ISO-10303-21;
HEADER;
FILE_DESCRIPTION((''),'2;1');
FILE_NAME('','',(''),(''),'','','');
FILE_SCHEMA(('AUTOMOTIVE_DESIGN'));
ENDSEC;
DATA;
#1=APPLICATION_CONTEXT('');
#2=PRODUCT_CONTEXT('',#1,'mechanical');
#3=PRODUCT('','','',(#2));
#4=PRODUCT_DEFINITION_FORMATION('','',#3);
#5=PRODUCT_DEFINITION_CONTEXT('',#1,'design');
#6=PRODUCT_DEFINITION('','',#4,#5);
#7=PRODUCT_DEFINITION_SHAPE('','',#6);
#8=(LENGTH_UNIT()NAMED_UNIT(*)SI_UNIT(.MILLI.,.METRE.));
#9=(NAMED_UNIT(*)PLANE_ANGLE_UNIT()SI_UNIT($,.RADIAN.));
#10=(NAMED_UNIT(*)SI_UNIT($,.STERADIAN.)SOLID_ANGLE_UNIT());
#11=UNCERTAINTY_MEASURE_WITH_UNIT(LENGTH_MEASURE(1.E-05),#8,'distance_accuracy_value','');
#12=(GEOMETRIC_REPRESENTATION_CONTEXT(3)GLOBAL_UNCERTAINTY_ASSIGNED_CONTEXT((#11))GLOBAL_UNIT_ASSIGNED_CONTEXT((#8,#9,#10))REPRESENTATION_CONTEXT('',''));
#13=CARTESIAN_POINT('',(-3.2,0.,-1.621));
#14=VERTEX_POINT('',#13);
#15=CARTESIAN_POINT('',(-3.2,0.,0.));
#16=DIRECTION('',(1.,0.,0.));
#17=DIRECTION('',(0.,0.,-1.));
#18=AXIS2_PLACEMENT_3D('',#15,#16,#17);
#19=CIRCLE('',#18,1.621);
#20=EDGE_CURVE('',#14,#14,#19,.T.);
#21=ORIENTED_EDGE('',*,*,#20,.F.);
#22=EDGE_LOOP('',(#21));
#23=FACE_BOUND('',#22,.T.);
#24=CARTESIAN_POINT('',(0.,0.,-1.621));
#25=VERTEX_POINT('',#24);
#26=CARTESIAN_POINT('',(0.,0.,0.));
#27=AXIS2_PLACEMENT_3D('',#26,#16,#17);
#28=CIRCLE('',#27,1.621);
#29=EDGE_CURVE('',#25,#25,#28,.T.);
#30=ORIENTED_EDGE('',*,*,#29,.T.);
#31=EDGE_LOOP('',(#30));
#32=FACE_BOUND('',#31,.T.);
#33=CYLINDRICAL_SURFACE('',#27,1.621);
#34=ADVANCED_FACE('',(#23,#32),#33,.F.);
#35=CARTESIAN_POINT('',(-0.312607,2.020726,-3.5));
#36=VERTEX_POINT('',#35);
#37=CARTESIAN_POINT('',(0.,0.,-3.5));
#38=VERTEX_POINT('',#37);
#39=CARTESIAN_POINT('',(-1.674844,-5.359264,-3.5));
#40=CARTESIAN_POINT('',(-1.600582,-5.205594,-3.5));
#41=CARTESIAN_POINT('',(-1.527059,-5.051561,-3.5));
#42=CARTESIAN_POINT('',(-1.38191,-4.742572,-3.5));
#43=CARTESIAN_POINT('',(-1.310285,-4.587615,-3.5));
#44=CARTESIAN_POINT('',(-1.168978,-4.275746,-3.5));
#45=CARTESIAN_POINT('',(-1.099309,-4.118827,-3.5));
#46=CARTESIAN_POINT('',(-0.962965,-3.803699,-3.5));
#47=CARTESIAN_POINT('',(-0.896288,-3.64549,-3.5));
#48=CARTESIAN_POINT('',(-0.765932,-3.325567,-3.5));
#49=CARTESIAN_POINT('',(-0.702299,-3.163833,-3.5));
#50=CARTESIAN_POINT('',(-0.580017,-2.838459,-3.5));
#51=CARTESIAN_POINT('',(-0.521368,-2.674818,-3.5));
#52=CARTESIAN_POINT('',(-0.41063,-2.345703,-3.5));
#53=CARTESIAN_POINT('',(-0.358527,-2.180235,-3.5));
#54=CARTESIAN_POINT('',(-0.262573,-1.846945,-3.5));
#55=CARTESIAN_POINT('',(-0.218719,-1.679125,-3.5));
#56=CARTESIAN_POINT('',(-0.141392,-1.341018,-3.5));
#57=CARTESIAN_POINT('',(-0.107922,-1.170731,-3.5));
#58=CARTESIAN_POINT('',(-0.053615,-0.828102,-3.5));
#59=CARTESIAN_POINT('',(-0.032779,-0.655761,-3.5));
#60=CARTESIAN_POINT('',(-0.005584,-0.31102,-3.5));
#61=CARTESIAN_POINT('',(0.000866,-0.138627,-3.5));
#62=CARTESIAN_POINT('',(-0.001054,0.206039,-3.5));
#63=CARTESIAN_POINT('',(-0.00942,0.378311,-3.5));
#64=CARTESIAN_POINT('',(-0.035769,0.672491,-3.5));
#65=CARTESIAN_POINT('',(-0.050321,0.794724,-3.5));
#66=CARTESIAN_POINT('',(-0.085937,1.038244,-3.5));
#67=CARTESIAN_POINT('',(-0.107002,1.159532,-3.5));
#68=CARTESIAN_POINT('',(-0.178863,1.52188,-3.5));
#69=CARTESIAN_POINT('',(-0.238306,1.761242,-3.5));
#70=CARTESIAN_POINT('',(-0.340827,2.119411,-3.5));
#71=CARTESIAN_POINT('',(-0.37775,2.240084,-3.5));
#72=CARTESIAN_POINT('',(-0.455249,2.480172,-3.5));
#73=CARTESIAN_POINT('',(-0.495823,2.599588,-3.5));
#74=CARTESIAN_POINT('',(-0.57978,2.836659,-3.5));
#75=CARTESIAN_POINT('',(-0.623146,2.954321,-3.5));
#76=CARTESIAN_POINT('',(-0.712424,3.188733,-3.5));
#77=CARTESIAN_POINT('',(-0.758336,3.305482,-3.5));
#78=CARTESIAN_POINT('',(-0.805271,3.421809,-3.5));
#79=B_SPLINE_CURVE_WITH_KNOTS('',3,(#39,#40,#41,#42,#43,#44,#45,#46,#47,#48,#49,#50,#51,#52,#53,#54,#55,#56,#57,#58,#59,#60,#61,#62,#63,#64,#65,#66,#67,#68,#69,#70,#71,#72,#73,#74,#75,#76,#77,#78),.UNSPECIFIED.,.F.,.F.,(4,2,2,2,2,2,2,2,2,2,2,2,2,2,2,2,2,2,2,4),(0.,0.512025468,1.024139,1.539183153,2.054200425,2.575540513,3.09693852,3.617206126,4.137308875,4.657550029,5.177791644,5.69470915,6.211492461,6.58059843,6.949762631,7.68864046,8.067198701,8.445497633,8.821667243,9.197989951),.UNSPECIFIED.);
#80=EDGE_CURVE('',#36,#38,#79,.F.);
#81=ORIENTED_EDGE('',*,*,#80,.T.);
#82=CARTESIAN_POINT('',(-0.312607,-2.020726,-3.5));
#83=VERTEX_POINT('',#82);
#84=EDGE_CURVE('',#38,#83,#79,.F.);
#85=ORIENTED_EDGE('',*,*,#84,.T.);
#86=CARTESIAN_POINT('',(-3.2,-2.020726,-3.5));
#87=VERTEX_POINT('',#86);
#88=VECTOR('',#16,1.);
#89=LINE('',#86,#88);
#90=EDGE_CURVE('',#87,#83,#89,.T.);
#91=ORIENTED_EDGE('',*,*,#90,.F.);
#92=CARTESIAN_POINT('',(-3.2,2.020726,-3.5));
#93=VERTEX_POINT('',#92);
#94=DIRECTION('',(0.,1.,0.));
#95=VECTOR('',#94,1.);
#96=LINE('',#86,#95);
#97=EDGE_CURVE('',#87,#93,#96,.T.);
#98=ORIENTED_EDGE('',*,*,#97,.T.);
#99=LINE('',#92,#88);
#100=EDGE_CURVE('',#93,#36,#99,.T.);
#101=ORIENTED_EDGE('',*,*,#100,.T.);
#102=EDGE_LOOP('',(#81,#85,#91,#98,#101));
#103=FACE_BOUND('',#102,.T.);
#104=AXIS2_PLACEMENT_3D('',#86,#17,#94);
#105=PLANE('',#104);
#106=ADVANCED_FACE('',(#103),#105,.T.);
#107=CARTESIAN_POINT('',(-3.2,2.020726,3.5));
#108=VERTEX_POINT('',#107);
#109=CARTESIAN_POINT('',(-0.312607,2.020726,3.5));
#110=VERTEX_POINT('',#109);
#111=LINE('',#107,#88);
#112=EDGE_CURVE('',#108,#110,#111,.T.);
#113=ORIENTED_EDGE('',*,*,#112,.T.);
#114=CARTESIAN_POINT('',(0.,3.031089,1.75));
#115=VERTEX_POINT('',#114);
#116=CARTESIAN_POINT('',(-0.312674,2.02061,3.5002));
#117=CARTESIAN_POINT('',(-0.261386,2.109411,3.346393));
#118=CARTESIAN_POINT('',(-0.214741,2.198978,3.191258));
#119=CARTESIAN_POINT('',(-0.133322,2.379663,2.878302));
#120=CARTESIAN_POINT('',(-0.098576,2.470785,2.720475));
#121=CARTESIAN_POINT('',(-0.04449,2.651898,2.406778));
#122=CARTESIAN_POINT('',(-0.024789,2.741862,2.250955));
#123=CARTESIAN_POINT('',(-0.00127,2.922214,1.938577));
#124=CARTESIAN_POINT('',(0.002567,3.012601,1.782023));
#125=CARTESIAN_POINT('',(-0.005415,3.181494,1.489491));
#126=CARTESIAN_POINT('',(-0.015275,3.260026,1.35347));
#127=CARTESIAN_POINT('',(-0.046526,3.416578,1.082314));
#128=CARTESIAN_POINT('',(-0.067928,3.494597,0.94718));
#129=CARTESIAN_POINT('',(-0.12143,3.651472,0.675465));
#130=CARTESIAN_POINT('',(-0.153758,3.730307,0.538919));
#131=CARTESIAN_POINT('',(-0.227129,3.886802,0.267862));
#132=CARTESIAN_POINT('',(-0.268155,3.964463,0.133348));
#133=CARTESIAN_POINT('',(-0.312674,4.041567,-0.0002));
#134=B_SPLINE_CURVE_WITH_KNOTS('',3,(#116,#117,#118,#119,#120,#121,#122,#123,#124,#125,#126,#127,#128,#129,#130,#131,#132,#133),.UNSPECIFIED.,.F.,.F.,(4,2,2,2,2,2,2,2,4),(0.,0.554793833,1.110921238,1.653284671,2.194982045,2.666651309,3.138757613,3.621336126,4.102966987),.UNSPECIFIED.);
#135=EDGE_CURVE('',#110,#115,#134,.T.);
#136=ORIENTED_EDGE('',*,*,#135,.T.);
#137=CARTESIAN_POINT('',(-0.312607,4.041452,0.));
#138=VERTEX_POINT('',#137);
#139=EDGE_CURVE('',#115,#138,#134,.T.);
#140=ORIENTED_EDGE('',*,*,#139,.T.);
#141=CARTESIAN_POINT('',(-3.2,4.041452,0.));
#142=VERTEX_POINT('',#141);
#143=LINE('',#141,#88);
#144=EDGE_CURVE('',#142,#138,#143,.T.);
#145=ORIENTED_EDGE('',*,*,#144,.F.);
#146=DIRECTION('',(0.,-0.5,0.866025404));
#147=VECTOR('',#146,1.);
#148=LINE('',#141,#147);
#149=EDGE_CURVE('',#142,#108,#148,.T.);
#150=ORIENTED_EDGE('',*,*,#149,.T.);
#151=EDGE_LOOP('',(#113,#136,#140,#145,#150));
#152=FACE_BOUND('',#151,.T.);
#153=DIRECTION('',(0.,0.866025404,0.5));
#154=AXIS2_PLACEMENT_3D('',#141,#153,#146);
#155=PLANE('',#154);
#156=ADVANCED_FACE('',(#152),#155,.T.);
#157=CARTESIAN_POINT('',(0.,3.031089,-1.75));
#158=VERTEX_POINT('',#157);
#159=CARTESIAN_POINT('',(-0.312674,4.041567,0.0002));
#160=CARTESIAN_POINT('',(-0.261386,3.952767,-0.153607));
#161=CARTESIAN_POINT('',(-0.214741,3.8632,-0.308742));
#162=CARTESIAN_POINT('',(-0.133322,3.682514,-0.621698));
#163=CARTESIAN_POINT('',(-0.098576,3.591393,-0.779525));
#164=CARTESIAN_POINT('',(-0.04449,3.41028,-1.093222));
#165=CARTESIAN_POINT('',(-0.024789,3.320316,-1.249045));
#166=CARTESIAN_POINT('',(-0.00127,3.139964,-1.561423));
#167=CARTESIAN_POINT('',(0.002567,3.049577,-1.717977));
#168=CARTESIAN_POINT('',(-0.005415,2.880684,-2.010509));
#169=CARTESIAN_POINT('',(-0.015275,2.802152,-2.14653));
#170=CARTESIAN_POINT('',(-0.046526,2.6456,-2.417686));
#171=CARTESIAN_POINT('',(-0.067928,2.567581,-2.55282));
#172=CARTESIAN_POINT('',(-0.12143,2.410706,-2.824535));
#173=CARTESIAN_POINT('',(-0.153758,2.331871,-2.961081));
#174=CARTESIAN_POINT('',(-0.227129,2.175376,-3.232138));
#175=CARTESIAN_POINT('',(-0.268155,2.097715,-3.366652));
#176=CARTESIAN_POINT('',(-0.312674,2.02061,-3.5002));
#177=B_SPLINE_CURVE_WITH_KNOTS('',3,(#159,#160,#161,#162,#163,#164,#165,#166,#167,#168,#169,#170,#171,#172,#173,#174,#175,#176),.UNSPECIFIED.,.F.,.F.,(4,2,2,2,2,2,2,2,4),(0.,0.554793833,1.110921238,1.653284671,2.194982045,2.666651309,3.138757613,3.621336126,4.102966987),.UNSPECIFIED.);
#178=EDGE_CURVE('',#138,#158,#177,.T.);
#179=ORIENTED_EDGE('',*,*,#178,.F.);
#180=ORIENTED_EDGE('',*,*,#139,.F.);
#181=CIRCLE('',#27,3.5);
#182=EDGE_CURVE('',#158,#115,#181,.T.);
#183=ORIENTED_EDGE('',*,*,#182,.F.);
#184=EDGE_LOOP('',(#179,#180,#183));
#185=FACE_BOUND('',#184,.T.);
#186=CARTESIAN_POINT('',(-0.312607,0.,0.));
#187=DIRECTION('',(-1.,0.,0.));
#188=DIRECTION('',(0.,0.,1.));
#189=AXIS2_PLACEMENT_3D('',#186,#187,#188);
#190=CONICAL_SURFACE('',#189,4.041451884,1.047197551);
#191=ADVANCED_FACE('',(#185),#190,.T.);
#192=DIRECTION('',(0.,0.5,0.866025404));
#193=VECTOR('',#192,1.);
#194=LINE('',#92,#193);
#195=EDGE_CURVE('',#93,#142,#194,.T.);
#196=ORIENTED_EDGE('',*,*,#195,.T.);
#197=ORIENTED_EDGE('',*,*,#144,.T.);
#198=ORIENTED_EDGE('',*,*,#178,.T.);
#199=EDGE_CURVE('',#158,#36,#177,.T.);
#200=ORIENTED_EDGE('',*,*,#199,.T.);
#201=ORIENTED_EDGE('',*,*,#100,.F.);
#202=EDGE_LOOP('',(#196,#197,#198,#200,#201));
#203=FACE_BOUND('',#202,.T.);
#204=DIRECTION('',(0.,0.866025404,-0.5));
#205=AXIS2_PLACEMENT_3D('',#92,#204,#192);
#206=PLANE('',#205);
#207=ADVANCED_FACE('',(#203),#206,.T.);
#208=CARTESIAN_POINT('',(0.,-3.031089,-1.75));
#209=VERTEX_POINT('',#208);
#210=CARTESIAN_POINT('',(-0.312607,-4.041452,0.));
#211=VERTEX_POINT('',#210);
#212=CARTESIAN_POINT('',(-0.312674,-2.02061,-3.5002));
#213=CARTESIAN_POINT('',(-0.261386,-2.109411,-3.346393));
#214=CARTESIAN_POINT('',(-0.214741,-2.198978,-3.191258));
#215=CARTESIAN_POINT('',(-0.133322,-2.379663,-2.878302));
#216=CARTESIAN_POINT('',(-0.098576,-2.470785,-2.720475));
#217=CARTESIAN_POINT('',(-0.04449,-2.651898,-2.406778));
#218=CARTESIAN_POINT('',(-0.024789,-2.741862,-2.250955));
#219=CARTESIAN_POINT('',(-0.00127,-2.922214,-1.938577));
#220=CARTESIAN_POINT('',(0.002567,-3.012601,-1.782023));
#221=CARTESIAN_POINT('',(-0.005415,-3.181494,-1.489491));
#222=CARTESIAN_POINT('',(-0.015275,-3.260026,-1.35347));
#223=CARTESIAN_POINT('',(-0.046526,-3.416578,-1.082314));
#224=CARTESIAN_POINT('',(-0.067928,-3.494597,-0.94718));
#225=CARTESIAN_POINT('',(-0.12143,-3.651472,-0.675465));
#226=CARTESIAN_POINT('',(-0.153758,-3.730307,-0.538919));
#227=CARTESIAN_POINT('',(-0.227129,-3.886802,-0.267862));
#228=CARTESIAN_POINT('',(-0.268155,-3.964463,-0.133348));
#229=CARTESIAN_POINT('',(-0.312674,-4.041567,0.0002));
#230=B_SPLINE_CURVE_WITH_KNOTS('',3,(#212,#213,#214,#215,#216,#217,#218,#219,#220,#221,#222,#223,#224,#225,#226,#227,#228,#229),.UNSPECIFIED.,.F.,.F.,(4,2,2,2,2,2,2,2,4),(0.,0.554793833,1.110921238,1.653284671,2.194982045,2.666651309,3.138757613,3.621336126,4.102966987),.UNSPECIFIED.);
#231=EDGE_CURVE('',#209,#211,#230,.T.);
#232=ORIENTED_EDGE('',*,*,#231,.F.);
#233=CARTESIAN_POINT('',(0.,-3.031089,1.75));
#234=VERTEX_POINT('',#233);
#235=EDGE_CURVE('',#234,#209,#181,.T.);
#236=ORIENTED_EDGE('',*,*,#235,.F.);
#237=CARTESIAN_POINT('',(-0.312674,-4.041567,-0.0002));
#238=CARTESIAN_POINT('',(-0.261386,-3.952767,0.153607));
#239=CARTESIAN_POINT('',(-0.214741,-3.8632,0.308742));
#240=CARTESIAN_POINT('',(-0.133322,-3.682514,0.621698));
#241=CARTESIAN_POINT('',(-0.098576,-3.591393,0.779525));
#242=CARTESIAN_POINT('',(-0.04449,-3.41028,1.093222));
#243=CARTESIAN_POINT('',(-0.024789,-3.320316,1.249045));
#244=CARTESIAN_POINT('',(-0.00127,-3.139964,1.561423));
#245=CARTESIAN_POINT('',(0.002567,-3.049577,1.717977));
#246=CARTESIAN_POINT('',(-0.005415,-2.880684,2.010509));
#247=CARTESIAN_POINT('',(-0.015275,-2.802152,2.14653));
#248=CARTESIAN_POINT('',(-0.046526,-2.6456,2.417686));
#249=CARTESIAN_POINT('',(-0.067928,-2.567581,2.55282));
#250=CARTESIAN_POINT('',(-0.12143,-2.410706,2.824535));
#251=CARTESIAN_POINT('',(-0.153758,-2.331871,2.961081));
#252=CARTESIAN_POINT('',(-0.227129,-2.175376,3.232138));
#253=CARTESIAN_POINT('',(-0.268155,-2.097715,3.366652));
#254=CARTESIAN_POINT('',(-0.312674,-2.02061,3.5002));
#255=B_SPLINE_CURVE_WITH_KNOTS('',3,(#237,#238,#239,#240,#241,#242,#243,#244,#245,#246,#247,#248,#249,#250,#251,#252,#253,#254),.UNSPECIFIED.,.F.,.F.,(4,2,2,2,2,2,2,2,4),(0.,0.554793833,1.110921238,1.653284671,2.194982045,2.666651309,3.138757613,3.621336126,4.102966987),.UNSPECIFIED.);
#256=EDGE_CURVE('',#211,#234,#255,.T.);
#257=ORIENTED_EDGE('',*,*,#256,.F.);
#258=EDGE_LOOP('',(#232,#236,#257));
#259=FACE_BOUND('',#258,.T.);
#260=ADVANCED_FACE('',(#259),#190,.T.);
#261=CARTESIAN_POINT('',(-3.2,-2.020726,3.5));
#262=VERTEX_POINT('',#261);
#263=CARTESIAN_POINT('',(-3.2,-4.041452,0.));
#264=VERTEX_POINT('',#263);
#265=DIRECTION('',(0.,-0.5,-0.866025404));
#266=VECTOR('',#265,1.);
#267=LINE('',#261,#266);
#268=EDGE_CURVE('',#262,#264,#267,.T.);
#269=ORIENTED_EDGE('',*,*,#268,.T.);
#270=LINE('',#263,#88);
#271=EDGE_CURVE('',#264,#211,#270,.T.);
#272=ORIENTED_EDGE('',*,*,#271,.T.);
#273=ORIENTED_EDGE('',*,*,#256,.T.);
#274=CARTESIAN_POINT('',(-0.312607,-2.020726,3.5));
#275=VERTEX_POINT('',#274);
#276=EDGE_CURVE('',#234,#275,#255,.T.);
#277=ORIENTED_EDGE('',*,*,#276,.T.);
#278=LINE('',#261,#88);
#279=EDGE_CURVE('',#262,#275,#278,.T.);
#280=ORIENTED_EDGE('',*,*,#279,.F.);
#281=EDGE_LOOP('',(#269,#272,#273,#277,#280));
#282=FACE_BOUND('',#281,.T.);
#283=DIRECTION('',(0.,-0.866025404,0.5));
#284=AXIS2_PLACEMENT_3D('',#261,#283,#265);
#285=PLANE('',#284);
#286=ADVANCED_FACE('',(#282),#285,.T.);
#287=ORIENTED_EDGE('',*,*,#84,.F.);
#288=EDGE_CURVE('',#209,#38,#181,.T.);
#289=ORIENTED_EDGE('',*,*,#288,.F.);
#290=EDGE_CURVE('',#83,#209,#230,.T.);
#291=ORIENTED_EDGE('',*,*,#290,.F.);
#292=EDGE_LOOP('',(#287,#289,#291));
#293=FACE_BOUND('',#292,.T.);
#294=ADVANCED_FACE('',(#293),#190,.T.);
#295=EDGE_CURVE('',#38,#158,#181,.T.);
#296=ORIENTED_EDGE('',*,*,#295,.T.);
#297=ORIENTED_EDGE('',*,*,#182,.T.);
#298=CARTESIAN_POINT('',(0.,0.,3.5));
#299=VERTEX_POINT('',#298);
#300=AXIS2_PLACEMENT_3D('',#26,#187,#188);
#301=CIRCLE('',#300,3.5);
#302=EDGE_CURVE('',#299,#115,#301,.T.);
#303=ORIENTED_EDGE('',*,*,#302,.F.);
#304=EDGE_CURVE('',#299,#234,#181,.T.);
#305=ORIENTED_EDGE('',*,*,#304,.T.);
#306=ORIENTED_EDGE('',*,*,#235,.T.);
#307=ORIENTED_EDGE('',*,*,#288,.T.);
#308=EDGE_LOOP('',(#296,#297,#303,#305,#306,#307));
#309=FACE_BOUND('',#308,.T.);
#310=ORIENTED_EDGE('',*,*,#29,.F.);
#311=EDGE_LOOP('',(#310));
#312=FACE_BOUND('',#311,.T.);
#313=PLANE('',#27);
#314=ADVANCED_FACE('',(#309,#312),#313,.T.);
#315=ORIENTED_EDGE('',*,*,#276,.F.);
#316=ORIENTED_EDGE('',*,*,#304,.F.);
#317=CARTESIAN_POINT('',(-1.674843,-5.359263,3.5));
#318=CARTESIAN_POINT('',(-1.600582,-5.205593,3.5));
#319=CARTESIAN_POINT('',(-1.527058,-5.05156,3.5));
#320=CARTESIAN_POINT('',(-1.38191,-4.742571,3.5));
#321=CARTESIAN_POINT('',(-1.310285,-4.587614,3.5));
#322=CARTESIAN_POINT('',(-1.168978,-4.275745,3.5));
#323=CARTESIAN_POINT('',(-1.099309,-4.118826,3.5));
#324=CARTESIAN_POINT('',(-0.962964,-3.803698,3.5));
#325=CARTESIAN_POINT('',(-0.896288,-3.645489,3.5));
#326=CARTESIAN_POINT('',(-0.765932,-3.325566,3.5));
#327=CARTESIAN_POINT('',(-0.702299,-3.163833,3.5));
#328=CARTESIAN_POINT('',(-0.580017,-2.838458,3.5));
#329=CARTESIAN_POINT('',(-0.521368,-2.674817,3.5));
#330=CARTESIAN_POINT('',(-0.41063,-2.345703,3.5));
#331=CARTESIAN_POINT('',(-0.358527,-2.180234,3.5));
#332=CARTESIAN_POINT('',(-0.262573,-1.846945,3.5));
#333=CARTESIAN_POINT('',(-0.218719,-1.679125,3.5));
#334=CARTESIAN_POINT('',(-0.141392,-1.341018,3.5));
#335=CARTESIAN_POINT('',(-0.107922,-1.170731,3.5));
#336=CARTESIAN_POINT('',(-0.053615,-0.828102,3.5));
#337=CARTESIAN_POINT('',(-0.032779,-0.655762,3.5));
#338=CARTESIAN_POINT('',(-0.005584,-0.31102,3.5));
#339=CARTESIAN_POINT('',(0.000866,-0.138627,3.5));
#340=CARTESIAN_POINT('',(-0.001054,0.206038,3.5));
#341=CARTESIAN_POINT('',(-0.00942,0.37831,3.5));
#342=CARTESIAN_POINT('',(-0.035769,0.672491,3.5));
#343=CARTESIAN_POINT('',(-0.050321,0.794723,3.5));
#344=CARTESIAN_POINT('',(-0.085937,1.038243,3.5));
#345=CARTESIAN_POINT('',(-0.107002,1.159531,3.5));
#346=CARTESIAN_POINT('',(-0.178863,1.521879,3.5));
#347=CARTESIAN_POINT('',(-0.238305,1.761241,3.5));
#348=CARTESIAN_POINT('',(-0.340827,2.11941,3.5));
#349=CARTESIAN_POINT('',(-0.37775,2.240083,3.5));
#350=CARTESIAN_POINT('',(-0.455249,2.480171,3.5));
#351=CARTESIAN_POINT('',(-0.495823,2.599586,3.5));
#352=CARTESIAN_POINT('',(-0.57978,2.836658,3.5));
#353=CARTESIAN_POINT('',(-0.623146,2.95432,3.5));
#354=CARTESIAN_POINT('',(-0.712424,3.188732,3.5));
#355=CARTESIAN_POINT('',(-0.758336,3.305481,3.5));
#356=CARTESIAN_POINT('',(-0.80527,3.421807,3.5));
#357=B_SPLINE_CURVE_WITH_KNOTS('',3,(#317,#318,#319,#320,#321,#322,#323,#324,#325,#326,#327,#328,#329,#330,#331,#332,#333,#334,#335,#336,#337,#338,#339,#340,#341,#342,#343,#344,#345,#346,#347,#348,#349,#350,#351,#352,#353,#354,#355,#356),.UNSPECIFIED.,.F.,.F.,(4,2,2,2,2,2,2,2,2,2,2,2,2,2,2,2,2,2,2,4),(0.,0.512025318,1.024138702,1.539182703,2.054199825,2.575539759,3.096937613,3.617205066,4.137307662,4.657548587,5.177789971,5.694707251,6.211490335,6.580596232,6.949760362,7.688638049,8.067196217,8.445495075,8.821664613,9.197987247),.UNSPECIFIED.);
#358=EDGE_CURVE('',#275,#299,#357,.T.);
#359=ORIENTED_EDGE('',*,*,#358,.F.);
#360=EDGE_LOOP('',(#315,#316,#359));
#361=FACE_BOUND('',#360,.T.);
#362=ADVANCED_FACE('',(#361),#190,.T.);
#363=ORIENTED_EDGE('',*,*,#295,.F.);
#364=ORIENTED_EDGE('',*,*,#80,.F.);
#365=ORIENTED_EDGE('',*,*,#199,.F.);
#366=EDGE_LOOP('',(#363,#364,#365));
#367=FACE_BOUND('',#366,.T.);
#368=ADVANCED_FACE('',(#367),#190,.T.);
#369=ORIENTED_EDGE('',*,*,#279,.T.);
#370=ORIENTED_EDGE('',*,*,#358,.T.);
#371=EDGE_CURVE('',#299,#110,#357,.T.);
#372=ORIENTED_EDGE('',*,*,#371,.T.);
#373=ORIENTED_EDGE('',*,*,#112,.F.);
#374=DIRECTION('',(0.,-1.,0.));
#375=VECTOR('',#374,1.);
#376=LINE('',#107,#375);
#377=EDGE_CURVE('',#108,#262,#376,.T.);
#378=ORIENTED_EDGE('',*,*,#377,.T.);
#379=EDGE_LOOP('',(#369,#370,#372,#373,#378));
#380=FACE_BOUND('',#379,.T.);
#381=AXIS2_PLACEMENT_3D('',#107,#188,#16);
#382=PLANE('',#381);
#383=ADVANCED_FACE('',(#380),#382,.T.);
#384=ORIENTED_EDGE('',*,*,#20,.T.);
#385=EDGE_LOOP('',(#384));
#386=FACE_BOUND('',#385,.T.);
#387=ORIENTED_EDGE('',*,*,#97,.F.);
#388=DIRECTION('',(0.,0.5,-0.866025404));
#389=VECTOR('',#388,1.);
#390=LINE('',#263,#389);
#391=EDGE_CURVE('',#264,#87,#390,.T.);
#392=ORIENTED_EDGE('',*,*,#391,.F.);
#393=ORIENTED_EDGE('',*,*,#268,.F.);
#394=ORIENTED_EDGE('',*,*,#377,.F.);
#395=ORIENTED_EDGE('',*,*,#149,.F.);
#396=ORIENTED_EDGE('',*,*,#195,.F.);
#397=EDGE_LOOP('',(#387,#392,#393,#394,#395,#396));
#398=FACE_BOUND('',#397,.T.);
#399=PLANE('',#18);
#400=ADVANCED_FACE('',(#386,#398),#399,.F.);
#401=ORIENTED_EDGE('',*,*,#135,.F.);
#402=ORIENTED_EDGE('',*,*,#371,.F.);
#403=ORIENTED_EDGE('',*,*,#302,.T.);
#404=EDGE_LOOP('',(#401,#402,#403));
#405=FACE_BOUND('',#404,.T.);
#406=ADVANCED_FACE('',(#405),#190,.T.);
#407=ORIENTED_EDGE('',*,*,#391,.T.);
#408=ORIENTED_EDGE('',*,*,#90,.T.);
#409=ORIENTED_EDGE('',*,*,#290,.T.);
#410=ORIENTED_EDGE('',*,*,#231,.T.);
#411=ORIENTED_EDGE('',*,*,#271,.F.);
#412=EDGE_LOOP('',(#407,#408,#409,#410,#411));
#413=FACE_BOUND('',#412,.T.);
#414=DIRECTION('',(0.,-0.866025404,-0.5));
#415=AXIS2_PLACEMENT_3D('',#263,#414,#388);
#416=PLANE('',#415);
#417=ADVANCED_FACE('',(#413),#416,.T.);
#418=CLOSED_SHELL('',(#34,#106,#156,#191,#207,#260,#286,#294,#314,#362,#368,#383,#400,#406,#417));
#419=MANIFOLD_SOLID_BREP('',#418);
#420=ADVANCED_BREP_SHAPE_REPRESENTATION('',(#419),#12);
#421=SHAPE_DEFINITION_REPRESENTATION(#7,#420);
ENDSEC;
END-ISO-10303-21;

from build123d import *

# Parameters (mm, degrees)
BOSS_EXTRUDE1_DEPTH = 3.2
TAP1_D              = 3.242


with BuildPart() as part:
    # Sketch1 → Boss-Extrude1 (new body)
    with BuildSketch(Plane(origin=(0, 0, 0), x_dir=(0, 0, -1), z_dir=(1, 0, 0))):
        Polygon((0, 4.041451884), (-3.5, 2.020725942), (-3.5, -2.020725942), (0, -4.041451884), (3.5, -2.020725942), (3.5, 2.020725942), align=None)
    extrude(amount=-BOSS_EXTRUDE1_DEPTH)

    # Sketch2 → Cut-Revolve1 (revolve, cut)
    with BuildSketch(Plane.XY):
        Polygon((0, 3.5), (-0.312607391, 4.041451884), (0, 4.041451884), align=None)
    revolve(axis=Axis((-0.312607391, 0, 0), (1, 0, 0)), mode=Mode.SUBTRACT)

    # Tap1 (through all)
    with Locations(Plane(origin=(0, 0, 0), x_dir=(0, 0, -1), z_dir=(1, 0, 0))):
        with Locations((0, 0)):
            Hole(TAP1_D / 2)


solid = part.part
